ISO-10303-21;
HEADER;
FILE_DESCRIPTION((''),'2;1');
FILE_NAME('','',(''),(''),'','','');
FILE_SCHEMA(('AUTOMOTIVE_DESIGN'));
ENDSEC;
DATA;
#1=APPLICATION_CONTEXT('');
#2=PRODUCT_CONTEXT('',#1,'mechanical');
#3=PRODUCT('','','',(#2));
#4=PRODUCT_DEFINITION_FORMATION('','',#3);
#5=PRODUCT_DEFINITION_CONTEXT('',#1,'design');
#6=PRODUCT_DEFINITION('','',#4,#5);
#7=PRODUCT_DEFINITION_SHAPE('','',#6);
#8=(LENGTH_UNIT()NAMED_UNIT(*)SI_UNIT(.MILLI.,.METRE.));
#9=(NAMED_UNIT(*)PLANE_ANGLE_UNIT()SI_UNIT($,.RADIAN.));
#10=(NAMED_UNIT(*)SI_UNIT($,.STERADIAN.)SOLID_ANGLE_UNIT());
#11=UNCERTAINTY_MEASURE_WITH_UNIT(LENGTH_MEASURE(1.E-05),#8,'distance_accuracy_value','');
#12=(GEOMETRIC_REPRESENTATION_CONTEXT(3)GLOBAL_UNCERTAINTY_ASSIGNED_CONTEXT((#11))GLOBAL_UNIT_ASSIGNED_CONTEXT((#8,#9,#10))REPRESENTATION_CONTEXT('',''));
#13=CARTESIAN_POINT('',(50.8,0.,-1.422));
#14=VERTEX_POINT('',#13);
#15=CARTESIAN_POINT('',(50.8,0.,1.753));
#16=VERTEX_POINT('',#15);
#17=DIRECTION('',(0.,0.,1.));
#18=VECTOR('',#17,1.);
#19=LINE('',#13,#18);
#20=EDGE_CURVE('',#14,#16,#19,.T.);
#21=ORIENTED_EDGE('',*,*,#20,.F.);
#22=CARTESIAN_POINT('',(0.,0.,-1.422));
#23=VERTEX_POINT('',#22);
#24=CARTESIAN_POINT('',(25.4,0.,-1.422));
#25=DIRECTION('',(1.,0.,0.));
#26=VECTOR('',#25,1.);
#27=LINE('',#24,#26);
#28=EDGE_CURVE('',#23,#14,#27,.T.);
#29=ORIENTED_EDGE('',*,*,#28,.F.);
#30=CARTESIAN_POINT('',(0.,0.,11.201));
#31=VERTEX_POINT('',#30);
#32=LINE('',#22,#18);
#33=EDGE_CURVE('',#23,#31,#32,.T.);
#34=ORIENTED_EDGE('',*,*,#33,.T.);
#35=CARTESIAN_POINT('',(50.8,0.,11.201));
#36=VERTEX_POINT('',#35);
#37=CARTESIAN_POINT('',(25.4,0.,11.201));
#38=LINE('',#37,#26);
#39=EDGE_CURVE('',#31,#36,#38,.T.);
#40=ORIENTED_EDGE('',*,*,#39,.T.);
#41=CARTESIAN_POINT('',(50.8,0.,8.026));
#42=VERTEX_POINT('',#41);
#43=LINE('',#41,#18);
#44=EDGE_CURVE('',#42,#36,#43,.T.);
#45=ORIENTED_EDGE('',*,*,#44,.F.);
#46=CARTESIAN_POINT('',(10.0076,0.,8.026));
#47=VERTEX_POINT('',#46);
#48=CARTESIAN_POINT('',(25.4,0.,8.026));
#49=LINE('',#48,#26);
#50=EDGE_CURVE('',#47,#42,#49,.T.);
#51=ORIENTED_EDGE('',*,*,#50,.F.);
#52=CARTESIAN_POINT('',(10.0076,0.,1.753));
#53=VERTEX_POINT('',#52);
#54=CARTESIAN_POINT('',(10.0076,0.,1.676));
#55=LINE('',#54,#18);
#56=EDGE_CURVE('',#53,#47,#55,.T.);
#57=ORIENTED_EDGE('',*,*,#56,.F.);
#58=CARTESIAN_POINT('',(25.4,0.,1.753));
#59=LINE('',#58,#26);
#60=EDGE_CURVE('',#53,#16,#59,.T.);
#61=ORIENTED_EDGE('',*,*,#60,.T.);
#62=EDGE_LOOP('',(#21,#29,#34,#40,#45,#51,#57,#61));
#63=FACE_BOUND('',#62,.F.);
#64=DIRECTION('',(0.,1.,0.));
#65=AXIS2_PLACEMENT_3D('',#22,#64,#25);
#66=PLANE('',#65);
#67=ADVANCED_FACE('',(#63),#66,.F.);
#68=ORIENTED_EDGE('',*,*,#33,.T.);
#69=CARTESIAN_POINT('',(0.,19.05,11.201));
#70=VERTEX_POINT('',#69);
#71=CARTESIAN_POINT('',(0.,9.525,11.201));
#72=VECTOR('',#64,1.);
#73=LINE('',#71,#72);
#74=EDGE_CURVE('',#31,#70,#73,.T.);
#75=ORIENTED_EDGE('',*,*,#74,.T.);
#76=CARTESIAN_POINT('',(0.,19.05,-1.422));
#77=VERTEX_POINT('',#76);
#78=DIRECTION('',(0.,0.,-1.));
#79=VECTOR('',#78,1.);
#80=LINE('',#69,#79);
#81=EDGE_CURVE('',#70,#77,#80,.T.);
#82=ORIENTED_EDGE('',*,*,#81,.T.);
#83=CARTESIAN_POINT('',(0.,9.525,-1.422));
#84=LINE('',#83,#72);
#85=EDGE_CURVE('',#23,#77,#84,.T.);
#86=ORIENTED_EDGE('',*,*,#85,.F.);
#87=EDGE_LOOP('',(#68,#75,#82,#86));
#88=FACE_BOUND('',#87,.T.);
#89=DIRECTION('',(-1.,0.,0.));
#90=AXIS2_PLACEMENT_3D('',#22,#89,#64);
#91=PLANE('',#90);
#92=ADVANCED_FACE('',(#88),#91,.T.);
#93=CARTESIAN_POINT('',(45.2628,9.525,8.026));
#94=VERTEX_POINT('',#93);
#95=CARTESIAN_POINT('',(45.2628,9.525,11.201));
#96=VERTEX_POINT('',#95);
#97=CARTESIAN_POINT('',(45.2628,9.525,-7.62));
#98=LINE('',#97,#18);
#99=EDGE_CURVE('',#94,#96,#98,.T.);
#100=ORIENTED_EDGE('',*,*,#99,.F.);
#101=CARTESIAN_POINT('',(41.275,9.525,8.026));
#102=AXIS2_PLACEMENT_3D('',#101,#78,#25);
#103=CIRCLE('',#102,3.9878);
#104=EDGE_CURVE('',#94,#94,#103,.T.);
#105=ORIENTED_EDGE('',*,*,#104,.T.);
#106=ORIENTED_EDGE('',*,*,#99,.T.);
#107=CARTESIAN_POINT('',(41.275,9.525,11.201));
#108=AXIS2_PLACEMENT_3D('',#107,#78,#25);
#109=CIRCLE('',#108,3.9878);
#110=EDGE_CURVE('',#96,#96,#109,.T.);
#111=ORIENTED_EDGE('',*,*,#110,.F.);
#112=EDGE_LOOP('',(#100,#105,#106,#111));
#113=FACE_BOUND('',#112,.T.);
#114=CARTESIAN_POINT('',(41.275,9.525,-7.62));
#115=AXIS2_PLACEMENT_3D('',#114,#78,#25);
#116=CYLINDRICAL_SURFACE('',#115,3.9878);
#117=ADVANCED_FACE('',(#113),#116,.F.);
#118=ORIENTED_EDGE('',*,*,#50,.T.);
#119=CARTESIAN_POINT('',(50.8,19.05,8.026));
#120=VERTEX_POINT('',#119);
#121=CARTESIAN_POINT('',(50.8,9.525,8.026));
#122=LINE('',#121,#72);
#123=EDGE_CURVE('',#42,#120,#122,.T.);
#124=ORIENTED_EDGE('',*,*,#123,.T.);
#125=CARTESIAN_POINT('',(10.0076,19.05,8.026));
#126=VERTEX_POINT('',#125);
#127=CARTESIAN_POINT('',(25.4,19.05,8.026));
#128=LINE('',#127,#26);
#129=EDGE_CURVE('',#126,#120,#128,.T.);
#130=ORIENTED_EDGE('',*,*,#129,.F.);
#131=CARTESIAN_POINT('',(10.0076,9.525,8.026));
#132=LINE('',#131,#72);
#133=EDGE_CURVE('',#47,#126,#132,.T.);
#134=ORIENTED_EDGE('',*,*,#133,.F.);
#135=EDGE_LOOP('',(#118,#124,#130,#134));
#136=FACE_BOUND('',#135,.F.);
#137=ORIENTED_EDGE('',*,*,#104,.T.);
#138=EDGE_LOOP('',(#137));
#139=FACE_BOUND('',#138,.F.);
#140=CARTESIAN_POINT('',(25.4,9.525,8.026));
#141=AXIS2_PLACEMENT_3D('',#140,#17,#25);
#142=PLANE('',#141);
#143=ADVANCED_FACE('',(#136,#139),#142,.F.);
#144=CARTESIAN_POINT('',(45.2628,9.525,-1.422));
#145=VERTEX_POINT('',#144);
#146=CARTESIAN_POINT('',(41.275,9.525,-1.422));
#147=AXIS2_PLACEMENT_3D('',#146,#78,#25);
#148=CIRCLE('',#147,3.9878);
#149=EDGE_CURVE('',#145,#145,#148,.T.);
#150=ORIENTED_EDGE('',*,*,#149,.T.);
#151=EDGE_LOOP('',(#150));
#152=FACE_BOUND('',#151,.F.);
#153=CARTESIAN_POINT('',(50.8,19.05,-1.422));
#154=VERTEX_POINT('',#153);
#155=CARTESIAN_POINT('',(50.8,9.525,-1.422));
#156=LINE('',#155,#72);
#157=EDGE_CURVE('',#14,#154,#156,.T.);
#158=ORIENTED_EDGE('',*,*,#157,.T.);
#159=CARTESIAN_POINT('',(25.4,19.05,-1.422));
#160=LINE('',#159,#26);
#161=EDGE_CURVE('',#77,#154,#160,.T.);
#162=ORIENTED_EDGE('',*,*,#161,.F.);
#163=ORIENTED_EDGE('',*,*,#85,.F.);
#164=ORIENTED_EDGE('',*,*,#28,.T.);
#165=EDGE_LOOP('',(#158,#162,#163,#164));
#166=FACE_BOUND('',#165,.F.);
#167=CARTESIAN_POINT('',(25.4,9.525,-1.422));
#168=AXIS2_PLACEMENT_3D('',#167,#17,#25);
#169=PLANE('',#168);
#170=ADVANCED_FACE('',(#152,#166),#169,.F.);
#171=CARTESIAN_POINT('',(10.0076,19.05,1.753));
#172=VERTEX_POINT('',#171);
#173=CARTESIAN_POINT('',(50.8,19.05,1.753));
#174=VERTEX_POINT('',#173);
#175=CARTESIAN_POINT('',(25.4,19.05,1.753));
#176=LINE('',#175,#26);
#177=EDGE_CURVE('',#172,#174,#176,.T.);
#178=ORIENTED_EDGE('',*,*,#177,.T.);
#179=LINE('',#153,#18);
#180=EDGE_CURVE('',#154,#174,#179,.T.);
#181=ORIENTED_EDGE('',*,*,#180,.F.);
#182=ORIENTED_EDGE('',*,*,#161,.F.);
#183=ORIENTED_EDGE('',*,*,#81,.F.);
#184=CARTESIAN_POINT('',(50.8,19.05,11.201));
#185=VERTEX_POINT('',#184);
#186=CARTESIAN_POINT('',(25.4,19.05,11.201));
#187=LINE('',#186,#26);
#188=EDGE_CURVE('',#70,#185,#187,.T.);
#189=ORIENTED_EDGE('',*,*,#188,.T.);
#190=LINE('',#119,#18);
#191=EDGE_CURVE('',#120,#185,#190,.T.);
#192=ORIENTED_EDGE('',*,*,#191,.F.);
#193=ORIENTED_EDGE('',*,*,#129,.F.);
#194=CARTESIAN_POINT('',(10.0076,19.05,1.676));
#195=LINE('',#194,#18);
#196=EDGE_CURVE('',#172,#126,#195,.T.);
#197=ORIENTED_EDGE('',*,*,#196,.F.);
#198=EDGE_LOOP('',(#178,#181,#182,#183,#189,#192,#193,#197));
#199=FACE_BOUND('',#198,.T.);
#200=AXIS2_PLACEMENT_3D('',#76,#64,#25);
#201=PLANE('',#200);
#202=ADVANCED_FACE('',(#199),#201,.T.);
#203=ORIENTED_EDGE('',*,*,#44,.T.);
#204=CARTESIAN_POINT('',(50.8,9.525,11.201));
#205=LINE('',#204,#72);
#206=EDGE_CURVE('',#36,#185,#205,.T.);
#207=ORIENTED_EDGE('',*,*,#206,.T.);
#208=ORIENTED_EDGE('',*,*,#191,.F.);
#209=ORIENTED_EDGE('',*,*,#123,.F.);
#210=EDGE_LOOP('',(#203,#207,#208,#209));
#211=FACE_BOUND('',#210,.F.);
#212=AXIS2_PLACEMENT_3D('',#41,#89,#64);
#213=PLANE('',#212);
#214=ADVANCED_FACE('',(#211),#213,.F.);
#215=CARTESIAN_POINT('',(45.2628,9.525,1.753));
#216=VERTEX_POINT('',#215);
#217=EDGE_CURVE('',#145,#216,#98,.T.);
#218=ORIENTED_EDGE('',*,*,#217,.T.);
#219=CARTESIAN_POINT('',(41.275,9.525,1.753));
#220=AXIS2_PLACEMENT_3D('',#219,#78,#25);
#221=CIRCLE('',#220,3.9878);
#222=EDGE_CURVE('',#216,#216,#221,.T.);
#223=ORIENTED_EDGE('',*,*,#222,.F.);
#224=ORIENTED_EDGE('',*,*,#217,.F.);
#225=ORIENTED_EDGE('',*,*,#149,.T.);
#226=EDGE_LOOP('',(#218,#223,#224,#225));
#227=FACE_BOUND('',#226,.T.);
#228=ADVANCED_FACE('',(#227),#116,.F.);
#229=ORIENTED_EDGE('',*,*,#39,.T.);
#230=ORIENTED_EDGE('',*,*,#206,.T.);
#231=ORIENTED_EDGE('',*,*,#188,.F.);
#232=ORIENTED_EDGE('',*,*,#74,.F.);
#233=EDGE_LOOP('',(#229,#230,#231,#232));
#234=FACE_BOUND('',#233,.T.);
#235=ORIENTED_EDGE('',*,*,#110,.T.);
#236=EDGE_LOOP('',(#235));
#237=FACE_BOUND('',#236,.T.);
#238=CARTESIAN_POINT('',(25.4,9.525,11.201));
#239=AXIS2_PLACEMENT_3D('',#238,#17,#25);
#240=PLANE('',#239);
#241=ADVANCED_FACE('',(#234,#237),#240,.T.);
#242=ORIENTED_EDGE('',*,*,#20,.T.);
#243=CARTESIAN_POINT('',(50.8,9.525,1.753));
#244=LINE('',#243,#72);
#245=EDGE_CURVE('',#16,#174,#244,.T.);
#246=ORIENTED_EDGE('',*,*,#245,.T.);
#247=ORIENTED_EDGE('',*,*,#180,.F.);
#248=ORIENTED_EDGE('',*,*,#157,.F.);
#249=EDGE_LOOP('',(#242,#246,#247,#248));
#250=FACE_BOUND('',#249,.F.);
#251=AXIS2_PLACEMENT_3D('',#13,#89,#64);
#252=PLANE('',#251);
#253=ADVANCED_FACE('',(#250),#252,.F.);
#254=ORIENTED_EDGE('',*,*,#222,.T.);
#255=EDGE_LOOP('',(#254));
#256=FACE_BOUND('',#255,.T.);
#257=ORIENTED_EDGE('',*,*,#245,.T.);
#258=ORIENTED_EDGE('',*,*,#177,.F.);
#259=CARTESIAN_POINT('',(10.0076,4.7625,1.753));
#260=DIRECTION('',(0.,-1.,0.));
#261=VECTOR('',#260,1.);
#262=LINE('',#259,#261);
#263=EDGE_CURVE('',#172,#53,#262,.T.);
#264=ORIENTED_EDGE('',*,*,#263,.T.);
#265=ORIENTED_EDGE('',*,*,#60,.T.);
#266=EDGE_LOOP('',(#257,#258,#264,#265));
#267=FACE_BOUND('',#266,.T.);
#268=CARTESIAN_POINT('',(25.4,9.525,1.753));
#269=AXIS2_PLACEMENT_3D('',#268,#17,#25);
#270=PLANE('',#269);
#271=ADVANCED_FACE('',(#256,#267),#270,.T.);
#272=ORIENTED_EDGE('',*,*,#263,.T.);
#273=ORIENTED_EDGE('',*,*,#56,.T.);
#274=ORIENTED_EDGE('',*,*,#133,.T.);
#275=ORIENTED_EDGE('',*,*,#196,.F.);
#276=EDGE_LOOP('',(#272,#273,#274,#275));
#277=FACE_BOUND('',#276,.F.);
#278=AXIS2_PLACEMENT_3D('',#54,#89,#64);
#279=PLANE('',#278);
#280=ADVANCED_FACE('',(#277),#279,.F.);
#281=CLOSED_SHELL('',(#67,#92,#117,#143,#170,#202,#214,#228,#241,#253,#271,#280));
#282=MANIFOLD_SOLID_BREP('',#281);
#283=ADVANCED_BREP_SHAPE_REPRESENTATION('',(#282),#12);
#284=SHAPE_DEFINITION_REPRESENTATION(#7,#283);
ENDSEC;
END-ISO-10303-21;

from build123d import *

# Parameters (mm, degrees)
CYLINDER_R     = 3.9878
CYLINDER_DEPTH = 25.4
BOX001_W       = 50.8
BOX001_H       = 19.05
BOX001_DEPTH   = 3.175
BOX002_W       = 10.0076
BOX002_H       = 19.05
BOX002_DEPTH   = 6.35
BOX_W          = 50.8
BOX_H          = 19.05
BOX_DEPTH      = 3.175


with BuildPart() as cylinder:
    # Cylinder → Cylinder (new body)
    with BuildSketch(Plane(origin=(41.275, 9.525, -7.62), x_dir=(1, 0, 0), z_dir=(0, 0, 1))):
        Circle(CYLINDER_R)
    extrude(amount=CYLINDER_DEPTH)


with BuildPart() as cube001:
    # Box001 → Box001 (new body)
    with BuildSketch(Plane.XY.offset(-1.422)):
        with Locations((25.4, 9.525)):
            Rectangle(BOX001_W, BOX001_H)
    extrude(amount=BOX001_DEPTH)


with BuildPart() as cube002:
    # Box002 → Box002 (new body)
    with BuildSketch(Plane.XY.offset(1.676)):
        with Locations((5.0038, 9.525)):
            Rectangle(BOX002_W, BOX002_H)
    extrude(amount=BOX002_DEPTH)


with BuildPart() as cut:
    # Box → Box (new body)
    with BuildSketch(Plane.XY.offset(8.026)):
        with Locations((25.4, 9.525)):
            Rectangle(BOX_W, BOX_H)
    extrude(amount=BOX_DEPTH)

    # Fusion: union Cube001, Cube002
    add(cube001.part)
    add(cube002.part)

    # Cut: cut Cylinder
    add(cylinder.part, mode=Mode.SUBTRACT)


solid = cut.part
